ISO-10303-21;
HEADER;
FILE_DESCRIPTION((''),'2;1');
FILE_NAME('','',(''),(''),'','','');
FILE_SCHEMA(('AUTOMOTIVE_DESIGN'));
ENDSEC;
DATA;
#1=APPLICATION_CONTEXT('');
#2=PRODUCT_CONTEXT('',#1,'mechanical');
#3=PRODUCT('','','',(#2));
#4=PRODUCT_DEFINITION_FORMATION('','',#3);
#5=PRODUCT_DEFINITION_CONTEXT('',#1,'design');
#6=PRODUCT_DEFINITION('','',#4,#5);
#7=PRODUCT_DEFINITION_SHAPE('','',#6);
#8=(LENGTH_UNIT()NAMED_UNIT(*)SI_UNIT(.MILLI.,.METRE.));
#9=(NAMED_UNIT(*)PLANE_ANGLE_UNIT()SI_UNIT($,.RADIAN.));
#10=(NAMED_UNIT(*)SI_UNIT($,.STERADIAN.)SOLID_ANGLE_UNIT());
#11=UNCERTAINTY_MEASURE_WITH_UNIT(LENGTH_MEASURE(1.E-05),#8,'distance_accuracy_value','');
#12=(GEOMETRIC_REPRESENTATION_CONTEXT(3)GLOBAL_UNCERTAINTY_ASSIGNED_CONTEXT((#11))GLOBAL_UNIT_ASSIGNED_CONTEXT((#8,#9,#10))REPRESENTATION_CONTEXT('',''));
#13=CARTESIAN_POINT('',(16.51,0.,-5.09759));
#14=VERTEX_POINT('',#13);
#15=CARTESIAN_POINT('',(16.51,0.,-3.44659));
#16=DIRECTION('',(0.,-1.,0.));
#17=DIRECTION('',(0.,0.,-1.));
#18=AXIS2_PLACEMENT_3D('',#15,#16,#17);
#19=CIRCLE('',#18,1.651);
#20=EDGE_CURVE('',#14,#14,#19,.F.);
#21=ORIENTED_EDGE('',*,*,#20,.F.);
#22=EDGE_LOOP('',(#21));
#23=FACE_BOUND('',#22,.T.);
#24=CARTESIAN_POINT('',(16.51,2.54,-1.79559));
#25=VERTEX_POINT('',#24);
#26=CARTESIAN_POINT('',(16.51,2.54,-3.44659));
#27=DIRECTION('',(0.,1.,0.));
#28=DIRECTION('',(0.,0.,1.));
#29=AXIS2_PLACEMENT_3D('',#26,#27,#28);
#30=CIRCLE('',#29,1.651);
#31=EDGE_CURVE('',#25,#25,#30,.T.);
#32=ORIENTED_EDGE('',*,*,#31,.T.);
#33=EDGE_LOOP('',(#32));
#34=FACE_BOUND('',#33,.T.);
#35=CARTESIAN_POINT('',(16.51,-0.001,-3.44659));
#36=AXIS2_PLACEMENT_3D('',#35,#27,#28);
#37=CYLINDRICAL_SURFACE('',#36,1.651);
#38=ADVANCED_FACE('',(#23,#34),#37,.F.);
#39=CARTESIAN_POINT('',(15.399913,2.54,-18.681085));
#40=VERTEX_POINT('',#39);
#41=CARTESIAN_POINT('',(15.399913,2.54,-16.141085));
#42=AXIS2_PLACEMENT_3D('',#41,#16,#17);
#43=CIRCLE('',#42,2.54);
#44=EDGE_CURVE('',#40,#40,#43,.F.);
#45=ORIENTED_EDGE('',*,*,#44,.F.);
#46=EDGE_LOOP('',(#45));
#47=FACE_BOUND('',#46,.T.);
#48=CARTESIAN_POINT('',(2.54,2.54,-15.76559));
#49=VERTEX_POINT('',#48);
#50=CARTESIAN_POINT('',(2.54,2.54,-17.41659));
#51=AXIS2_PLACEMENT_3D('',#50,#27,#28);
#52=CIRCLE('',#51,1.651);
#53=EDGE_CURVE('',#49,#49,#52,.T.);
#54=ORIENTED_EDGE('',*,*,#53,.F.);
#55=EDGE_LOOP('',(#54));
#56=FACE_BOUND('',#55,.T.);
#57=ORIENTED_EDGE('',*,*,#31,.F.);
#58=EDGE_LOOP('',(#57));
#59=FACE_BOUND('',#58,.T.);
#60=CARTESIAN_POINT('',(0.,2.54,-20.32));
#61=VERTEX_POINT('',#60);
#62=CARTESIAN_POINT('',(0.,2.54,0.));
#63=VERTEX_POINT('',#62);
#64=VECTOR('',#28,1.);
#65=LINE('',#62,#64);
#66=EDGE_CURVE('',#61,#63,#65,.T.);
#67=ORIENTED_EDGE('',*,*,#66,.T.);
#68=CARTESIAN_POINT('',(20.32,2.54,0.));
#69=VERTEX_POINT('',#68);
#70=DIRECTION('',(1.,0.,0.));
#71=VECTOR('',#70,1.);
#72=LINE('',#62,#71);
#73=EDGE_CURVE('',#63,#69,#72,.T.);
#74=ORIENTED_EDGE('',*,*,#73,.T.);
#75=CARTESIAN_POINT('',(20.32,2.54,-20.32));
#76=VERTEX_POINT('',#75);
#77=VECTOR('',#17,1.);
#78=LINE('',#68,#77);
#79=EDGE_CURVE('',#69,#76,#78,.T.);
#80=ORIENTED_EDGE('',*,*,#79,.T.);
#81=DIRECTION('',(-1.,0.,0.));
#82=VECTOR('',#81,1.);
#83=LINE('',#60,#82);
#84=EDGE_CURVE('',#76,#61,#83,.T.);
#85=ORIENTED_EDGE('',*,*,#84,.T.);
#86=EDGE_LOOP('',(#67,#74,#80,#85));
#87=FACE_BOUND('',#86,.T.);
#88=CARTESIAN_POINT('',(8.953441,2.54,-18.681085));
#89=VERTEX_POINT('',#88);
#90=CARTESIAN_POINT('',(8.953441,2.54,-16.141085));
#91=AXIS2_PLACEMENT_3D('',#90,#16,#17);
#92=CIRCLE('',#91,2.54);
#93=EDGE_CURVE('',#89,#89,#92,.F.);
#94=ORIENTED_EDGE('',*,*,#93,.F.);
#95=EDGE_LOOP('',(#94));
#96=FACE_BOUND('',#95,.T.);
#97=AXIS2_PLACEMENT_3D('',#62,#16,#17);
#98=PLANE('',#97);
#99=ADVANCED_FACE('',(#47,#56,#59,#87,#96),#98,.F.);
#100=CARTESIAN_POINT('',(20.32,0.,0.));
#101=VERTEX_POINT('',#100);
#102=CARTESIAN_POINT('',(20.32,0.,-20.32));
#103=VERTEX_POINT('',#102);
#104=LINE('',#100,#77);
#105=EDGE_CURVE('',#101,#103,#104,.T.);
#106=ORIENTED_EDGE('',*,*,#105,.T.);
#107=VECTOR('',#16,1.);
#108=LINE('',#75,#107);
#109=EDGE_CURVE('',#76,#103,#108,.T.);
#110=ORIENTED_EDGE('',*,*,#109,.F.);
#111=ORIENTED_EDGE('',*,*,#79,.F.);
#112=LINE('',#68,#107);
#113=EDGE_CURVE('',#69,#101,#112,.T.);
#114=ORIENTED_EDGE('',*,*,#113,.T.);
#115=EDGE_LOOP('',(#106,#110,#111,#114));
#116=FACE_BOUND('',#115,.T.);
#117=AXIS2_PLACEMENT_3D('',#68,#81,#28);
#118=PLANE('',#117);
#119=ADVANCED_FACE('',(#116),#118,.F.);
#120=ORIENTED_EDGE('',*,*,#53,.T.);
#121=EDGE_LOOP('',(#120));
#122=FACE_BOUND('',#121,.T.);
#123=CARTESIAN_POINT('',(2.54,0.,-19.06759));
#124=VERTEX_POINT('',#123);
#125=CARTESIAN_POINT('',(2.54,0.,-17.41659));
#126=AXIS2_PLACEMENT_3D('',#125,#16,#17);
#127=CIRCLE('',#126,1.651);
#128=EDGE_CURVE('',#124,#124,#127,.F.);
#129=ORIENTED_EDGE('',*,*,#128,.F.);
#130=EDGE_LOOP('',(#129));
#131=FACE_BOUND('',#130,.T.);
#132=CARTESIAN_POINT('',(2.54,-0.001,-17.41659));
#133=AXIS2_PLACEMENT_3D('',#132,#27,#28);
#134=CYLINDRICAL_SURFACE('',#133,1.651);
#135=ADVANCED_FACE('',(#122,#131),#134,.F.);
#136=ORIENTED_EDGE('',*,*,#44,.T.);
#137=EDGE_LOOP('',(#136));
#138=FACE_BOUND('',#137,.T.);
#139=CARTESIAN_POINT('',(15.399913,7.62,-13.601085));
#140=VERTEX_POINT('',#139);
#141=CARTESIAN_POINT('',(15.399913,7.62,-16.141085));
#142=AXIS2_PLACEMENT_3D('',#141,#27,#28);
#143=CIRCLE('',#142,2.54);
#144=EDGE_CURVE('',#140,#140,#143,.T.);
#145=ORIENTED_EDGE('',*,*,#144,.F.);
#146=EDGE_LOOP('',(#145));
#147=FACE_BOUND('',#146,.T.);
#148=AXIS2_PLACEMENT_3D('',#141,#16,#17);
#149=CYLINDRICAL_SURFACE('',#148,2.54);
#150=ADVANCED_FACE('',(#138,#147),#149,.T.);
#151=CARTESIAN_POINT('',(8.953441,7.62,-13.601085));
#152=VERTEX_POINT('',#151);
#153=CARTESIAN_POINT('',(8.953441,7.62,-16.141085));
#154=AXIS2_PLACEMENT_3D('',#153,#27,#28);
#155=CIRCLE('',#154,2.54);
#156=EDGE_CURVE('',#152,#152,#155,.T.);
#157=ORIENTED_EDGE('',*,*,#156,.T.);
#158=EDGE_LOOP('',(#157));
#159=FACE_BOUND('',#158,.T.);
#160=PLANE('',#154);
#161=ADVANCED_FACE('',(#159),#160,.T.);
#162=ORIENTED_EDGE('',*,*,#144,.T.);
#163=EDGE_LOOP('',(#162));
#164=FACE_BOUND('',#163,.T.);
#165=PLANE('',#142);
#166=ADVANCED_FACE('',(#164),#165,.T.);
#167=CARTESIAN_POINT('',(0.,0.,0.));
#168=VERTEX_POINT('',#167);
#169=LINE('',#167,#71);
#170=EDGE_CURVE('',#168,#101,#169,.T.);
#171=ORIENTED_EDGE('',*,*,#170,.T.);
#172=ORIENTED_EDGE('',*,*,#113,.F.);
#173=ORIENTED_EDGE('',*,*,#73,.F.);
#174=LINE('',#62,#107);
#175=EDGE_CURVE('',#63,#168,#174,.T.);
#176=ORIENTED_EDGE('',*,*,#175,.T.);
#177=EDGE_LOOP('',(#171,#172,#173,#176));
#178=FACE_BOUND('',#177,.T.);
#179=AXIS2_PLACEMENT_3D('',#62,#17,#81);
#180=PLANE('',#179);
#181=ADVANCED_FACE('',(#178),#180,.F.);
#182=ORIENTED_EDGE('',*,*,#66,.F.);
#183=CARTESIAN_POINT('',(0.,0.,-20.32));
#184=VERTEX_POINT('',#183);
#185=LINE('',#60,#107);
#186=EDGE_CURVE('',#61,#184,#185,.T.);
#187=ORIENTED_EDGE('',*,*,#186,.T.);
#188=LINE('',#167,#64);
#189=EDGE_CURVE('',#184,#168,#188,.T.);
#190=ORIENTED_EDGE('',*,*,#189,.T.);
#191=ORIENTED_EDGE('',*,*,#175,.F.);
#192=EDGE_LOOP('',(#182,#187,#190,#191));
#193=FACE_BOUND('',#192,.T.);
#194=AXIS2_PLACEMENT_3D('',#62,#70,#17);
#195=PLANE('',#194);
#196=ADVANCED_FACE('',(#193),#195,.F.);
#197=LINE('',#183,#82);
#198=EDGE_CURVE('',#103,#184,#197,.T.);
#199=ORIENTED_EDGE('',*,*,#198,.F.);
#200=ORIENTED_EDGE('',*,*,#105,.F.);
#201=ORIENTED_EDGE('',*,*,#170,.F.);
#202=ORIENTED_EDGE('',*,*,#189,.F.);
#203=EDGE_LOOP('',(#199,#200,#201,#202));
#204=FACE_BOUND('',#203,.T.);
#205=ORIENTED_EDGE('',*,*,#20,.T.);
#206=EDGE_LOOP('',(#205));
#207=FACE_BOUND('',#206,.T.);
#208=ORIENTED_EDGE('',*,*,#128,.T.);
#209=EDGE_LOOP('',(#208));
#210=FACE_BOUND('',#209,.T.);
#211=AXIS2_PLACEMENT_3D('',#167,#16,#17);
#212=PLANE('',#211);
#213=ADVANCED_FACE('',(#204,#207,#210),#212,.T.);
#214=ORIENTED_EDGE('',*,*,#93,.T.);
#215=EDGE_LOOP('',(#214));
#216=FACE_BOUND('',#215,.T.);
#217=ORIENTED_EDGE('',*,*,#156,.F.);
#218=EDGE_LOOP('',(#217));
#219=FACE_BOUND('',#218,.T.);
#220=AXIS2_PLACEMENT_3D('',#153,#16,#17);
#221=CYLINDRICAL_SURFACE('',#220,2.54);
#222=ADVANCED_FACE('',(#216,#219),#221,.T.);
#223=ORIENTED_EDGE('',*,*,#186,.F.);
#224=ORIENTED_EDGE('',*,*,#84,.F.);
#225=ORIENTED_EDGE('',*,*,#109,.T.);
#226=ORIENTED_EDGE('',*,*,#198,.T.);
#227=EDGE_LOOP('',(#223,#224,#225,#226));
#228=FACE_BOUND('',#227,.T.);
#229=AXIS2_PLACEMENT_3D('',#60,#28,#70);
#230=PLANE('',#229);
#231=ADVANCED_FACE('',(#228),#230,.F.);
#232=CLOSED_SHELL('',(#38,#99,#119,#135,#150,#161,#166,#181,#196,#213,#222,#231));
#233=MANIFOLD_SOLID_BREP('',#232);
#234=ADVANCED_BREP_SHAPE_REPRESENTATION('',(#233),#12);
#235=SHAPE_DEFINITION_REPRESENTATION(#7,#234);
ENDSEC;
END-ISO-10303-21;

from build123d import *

# Parameters (mm, degrees)
SKETCH1_W           = 20.32
SKETCH1_H           = 20.32
BOSS_EXTRUDE1_DEPTH = 2.54
CUT_EXTRUDE1_REACH  = 4.54
SKETCH2_R           = 1.651
SKETCH3_R           = 2.54
BOSS_EXTRUDE2_DEPTH = 5.08


with BuildPart() as part:
    # Sketch1 → Boss-Extrude1 (new body)
    with BuildSketch(Plane(origin=(0, 0, 0), x_dir=(1, 0, 0), z_dir=(0, 1, 0))):
        with Locations((10.16, 10.16)):
            Rectangle(SKETCH1_W, SKETCH1_H)
    extrude(amount=BOSS_EXTRUDE1_DEPTH)

    # Sketch2 → Cut-Extrude1 (cut, up to next)
    with BuildSketch(Plane(origin=(0, 2.54, 0), x_dir=(1, 0, 0), z_dir=(0, 1, 0)), mode=Mode.PRIVATE) as cut_extrude1_sk1:
        with Locations((2.54, 17.416590364)):
            Circle(SKETCH2_R)
    cut_extrude1_tool1 = extrude(cut_extrude1_sk1.sketch, amount=-CUT_EXTRUDE1_REACH, mode=Mode.PRIVATE) & part.part
    add(cut_extrude1_tool1.solids().sort_by_distance((2.54, 2.54, -17.41659))[0], mode=Mode.SUBTRACT)
    # Sketch2 → Cut-Extrude1 (cut, up to next)
    with BuildSketch(Plane(origin=(0, 2.54, 0), x_dir=(1, 0, 0), z_dir=(0, 1, 0)), mode=Mode.PRIVATE) as cut_extrude1_sk2:
        with Locations((16.51, 3.446590364)):
            Circle(SKETCH2_R)
    cut_extrude1_tool2 = extrude(cut_extrude1_sk2.sketch, amount=-CUT_EXTRUDE1_REACH, mode=Mode.PRIVATE) & part.part
    add(cut_extrude1_tool2.solids().sort_by_distance((16.51, 2.54, -3.44659))[0], mode=Mode.SUBTRACT)

    # Sketch3 → Boss-Extrude2 (add)
    with BuildSketch(Plane(origin=(0, 2.54, 0), x_dir=(1, 0, 0), z_dir=(0, 1, 0))):
        with Locations((8.953441032, 16.141085169)):
            Circle(SKETCH3_R)
        with Locations((15.399913232, 16.141085169)):
            Circle(SKETCH3_R)
    extrude(amount=BOSS_EXTRUDE2_DEPTH)


solid = part.part
